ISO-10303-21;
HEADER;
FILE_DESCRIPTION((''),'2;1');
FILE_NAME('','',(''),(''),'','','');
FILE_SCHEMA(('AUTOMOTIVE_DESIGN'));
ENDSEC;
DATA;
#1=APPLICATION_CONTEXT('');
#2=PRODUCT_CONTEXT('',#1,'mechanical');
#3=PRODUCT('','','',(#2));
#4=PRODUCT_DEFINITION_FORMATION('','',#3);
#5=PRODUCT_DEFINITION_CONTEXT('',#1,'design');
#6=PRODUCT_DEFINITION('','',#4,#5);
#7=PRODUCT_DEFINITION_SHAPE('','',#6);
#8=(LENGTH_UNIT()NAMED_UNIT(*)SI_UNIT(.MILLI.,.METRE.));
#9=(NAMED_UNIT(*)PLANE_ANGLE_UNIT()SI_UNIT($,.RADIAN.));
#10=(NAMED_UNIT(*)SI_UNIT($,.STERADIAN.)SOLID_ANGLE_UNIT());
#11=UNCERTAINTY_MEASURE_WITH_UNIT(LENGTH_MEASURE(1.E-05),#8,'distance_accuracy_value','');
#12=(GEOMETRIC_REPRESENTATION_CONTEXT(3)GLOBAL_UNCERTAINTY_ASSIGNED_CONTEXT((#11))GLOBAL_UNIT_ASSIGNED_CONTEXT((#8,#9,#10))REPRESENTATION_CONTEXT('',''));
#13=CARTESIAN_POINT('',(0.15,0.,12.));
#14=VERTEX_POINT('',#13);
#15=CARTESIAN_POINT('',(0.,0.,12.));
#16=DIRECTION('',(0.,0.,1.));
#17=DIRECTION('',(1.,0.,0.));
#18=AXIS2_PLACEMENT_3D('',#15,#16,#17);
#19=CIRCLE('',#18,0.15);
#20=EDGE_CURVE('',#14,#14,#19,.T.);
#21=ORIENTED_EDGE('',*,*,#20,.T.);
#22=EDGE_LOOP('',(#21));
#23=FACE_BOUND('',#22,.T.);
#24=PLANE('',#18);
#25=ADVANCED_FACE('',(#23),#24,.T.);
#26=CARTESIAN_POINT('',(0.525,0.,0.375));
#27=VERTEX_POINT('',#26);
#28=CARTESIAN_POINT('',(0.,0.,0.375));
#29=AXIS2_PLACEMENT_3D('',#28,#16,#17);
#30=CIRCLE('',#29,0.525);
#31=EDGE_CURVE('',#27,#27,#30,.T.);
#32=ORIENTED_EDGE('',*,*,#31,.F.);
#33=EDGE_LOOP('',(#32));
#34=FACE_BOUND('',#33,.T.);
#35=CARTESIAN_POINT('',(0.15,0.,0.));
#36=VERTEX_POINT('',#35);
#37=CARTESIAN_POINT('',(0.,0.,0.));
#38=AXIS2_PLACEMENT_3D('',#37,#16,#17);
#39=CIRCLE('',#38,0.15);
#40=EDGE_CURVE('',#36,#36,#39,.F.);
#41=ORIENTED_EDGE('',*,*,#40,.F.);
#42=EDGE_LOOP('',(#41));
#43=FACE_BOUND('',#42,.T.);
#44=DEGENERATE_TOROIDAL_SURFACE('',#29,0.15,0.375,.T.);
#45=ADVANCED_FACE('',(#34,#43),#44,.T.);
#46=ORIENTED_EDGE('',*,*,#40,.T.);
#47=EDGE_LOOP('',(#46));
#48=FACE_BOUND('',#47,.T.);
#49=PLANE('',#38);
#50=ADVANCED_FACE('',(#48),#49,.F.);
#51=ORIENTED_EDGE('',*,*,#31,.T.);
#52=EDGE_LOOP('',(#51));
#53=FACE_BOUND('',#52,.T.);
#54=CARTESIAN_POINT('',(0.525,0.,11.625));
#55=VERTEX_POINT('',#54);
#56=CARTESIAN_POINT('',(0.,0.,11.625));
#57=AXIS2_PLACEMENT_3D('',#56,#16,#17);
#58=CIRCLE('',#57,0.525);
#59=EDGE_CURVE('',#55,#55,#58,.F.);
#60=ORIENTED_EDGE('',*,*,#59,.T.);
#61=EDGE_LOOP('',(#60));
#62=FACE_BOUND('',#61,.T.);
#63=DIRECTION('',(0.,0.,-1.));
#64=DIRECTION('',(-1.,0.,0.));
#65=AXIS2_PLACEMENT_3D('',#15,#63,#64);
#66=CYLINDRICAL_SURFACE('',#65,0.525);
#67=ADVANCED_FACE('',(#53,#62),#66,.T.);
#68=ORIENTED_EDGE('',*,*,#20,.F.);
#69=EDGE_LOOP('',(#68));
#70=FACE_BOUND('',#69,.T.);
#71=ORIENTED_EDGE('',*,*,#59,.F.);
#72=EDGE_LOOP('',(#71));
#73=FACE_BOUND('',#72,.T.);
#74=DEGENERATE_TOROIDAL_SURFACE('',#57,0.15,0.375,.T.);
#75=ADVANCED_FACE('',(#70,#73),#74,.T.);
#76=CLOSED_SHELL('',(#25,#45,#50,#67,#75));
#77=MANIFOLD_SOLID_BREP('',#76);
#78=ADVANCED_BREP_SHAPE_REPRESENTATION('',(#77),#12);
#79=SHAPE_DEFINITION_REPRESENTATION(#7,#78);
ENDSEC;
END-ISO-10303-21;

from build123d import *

# Parameters (mm, degrees)
SKIZZE1_R                       = 0.525
AUFSATZ_LINEAR_AUSTRAGEN1_DEPTH = 12
FILLET2_R                       = 0.375


with BuildPart() as part:
    # Skizze1 → Aufsatz-Linear austragen1 (new body)
    with BuildSketch(Plane.XY):
        Circle(SKIZZE1_R)
    extrude(amount=AUFSATZ_LINEAR_AUSTRAGEN1_DEPTH)

    # Fillet2
    fillet2_edges = [part.edges().sort_by_distance(p)[0] for p in [
        (-0.525, 0, 0),
        (-0.525, 0, 12),
    ]]
    fillet(fillet2_edges, radius=FILLET2_R)


solid = part.part
